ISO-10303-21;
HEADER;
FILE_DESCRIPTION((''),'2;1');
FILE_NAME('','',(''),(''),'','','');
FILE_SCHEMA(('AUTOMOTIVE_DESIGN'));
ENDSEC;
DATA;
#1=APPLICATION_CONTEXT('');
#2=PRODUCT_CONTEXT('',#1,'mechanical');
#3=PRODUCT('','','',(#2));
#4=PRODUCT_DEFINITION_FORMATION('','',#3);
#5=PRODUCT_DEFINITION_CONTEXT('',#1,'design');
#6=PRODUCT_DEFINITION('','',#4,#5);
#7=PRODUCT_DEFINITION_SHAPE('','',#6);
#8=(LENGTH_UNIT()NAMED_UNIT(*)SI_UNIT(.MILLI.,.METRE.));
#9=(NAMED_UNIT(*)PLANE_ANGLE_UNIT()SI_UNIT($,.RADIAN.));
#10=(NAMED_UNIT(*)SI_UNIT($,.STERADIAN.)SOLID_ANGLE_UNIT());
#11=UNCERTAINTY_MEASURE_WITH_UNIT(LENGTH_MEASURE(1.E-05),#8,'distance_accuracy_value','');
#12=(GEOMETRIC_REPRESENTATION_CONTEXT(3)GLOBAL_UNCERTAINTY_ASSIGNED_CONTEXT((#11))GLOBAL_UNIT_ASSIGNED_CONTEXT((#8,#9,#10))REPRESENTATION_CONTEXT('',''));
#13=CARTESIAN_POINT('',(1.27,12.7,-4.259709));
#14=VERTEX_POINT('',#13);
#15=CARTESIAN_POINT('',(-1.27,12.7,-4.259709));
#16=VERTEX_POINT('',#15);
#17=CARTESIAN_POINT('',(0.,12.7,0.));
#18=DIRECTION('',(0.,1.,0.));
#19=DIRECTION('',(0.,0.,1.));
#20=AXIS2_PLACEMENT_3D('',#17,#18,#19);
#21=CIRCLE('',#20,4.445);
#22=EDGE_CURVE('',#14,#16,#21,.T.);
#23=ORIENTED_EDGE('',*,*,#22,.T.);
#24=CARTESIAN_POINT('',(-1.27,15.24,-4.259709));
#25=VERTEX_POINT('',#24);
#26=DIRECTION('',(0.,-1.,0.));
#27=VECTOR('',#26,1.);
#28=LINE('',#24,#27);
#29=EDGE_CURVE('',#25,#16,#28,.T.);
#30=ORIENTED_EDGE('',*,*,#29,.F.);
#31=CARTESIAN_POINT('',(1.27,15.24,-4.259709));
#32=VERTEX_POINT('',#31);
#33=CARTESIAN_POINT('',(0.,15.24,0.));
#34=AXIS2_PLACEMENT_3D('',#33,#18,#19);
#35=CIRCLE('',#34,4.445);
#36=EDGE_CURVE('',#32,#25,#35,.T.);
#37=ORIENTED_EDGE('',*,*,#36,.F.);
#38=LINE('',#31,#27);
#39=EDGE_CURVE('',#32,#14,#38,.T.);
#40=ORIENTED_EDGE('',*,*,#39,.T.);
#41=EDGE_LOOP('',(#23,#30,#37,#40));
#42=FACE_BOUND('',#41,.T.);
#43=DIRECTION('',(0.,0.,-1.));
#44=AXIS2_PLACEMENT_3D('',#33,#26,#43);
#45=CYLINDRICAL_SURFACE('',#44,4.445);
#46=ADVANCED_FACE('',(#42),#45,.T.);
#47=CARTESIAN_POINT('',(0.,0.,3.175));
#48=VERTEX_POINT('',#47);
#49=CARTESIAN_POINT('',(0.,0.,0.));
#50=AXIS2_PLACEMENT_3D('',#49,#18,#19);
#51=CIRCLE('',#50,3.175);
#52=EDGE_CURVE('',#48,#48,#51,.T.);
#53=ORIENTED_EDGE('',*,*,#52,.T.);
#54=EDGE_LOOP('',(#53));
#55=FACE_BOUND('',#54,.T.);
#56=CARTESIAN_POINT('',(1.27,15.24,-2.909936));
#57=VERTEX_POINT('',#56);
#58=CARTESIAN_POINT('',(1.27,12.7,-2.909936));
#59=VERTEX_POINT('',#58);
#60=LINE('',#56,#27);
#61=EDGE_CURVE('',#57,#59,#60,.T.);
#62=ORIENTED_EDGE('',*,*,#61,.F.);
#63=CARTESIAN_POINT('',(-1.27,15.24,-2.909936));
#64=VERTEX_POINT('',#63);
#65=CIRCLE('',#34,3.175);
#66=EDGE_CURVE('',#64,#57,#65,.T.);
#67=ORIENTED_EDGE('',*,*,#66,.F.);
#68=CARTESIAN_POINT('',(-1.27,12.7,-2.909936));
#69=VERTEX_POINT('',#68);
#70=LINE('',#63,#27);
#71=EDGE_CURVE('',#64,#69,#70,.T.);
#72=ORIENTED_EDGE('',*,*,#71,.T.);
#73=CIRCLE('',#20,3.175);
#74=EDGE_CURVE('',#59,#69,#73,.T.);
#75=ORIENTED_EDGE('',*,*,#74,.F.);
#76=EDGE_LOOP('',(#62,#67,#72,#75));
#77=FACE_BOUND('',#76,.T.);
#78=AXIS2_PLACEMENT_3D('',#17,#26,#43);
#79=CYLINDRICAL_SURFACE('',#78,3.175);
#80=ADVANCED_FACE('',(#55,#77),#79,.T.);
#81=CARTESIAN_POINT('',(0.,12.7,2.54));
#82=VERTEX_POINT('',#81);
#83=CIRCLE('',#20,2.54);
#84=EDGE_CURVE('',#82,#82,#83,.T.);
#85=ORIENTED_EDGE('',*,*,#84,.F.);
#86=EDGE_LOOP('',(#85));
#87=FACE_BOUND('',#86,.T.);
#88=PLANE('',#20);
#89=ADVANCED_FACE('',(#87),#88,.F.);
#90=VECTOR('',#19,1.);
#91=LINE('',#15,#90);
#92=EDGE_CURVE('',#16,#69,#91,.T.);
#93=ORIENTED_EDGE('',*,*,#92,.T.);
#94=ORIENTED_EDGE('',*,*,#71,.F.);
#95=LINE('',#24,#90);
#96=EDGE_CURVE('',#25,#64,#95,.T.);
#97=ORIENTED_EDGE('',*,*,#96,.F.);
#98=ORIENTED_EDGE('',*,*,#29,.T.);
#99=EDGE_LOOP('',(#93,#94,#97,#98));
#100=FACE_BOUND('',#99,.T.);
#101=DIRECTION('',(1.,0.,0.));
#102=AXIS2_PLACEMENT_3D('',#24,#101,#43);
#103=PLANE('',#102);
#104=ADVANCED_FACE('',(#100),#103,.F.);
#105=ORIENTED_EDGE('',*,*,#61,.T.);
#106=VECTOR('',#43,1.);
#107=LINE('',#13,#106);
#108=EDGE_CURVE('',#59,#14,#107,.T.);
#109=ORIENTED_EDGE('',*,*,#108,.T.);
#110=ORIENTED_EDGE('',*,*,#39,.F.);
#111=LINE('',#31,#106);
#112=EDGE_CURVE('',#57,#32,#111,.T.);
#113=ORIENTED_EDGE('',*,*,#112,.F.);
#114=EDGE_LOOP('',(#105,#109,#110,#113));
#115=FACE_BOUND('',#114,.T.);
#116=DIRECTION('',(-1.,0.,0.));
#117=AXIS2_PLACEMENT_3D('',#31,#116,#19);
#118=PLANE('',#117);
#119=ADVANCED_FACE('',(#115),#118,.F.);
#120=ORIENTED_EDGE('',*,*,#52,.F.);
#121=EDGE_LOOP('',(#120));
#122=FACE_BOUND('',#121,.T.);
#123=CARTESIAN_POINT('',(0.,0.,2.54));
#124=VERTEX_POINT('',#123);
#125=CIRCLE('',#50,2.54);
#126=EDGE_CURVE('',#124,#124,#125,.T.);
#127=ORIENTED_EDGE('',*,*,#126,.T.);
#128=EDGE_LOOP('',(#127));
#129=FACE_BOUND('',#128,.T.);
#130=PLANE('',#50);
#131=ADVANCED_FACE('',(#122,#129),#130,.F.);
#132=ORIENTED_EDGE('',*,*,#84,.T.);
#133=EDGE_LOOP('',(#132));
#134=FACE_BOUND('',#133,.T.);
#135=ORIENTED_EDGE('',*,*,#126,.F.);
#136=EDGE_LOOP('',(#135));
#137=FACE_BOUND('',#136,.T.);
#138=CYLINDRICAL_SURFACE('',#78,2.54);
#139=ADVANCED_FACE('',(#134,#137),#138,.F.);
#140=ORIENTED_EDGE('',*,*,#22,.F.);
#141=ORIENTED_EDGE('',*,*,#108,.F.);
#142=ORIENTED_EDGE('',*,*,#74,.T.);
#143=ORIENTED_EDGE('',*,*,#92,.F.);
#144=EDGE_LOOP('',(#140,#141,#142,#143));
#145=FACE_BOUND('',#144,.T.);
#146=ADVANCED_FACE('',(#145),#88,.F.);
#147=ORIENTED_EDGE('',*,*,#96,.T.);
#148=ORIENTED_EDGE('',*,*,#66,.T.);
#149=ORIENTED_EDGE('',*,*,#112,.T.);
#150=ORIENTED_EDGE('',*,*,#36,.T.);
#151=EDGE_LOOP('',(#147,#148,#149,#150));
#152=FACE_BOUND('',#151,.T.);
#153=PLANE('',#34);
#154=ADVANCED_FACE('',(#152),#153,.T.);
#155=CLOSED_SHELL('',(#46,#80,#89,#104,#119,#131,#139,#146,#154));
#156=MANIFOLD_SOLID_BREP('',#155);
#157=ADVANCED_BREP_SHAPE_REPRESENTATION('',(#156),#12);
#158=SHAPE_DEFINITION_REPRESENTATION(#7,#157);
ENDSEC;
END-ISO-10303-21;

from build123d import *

# Parameters (mm, degrees)
SKETCH1_R           = 3.175
SKETCH1_R_2         = 2.54
BOSS_EXTRUDE1_DEPTH = 12.7
BOSS_EXTRUDE2_DEPTH = 2.54


with BuildPart() as part:
    # Sketch1 → Boss-Extrude1 (new body)
    with BuildSketch(Plane(origin=(0, 0, 0), x_dir=(1, 0, 0), z_dir=(0, 1, 0))):
        with Locations(Location((0, 0, 0), (0, 0, 270))):
            Circle(SKETCH1_R)
        with Locations(Location((0, 0, 0), (0, 0, 270))):
            Circle(SKETCH1_R_2, mode=Mode.SUBTRACT)
    extrude(amount=BOSS_EXTRUDE1_DEPTH)

    # Sketch3 → Boss-Extrude2 (add)
    with BuildSketch(Plane(origin=(0, 12.7, 0), x_dir=(1, 0, 0), z_dir=(0, 1, 0))):
        with BuildLine():
            Line((-1.27, 4.259709497), (-1.27, 2.909935566))
            ThreePointArc((-1.27, 2.909935566), (0, -3.175), (1.27, 2.909935566))
            Line((1.27, 2.909935566), (1.27, 4.259709497))
            ThreePointArc((1.27, 4.259709497), (0, 4.445), (-1.27, 4.259709497))
        make_face()
    extrude(amount=BOSS_EXTRUDE2_DEPTH)


solid = part.part
